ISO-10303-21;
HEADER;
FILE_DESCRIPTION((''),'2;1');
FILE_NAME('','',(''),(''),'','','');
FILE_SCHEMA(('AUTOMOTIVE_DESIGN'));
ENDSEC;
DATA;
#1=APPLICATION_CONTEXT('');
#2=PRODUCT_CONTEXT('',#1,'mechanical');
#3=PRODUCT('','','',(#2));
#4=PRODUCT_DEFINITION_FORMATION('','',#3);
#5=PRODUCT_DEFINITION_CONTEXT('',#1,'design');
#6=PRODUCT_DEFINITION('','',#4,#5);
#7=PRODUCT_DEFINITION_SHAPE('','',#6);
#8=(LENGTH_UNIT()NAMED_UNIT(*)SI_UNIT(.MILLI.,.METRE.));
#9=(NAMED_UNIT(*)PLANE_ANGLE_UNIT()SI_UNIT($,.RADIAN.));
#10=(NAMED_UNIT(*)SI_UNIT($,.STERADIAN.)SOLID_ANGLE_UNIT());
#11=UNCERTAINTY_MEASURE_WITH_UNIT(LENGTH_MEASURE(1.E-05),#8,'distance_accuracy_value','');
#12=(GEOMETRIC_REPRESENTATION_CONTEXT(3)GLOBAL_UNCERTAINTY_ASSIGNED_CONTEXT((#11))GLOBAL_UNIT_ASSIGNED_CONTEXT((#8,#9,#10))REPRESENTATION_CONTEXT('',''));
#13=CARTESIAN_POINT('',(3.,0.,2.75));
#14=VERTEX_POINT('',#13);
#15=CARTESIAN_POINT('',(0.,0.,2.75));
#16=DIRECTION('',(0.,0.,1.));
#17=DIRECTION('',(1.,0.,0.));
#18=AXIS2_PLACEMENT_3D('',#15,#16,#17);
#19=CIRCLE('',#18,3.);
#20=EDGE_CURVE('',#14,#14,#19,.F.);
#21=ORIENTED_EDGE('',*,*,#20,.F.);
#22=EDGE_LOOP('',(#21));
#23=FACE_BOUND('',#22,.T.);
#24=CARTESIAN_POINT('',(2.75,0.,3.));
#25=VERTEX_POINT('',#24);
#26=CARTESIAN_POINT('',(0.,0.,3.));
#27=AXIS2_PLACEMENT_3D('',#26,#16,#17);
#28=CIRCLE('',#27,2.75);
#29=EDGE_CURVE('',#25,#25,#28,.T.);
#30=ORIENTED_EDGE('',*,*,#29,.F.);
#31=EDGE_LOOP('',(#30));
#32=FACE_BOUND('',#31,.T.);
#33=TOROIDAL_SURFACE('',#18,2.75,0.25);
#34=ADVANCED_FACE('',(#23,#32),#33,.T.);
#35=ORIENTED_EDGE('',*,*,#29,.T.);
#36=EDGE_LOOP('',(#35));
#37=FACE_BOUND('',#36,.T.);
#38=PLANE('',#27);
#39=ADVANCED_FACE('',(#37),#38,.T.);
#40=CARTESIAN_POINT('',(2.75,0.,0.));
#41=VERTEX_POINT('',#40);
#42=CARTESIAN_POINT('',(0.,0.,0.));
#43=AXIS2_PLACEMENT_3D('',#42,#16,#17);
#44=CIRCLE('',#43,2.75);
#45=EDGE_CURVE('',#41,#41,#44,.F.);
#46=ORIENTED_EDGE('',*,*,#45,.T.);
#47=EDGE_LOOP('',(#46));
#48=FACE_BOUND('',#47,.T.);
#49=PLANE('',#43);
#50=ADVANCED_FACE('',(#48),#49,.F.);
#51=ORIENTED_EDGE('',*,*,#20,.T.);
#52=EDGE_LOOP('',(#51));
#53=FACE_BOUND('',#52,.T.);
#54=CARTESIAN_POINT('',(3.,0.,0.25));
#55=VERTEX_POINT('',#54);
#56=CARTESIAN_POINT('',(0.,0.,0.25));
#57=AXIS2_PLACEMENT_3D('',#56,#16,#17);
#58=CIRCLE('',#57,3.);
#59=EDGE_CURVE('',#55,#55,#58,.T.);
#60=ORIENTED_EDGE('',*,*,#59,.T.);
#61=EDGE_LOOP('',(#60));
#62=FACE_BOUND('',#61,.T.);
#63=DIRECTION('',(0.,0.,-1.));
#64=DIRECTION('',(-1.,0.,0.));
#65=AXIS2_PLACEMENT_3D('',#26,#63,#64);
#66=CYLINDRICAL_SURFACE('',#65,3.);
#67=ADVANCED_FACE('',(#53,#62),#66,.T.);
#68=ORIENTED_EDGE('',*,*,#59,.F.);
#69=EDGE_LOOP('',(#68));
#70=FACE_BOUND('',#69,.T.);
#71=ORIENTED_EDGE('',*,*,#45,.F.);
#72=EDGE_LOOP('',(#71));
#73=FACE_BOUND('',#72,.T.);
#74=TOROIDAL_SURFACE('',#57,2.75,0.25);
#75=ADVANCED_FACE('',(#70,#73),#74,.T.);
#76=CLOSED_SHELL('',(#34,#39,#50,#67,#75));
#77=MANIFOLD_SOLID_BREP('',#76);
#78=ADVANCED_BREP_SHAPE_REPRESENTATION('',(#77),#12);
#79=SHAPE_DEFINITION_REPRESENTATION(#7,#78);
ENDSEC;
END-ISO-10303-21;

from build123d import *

# Parameters (mm, degrees)
SKETCH1_R           = 3
BOSS_EXTRUDE1_DEPTH = 3
FILLET1_R           = 0.25


with BuildPart() as part:
    # Sketch1 → Boss-Extrude1 (new body)
    with BuildSketch(Plane.XY):
        Circle(SKETCH1_R)
    extrude(amount=BOSS_EXTRUDE1_DEPTH)

    # Fillet1
    fillet1_edges = [part.edges().sort_by_distance(p)[0] for p in [
        (-3, 0, 0),
        (-3, 0, 3),
    ]]
    fillet(fillet1_edges, radius=FILLET1_R)


solid = part.part
